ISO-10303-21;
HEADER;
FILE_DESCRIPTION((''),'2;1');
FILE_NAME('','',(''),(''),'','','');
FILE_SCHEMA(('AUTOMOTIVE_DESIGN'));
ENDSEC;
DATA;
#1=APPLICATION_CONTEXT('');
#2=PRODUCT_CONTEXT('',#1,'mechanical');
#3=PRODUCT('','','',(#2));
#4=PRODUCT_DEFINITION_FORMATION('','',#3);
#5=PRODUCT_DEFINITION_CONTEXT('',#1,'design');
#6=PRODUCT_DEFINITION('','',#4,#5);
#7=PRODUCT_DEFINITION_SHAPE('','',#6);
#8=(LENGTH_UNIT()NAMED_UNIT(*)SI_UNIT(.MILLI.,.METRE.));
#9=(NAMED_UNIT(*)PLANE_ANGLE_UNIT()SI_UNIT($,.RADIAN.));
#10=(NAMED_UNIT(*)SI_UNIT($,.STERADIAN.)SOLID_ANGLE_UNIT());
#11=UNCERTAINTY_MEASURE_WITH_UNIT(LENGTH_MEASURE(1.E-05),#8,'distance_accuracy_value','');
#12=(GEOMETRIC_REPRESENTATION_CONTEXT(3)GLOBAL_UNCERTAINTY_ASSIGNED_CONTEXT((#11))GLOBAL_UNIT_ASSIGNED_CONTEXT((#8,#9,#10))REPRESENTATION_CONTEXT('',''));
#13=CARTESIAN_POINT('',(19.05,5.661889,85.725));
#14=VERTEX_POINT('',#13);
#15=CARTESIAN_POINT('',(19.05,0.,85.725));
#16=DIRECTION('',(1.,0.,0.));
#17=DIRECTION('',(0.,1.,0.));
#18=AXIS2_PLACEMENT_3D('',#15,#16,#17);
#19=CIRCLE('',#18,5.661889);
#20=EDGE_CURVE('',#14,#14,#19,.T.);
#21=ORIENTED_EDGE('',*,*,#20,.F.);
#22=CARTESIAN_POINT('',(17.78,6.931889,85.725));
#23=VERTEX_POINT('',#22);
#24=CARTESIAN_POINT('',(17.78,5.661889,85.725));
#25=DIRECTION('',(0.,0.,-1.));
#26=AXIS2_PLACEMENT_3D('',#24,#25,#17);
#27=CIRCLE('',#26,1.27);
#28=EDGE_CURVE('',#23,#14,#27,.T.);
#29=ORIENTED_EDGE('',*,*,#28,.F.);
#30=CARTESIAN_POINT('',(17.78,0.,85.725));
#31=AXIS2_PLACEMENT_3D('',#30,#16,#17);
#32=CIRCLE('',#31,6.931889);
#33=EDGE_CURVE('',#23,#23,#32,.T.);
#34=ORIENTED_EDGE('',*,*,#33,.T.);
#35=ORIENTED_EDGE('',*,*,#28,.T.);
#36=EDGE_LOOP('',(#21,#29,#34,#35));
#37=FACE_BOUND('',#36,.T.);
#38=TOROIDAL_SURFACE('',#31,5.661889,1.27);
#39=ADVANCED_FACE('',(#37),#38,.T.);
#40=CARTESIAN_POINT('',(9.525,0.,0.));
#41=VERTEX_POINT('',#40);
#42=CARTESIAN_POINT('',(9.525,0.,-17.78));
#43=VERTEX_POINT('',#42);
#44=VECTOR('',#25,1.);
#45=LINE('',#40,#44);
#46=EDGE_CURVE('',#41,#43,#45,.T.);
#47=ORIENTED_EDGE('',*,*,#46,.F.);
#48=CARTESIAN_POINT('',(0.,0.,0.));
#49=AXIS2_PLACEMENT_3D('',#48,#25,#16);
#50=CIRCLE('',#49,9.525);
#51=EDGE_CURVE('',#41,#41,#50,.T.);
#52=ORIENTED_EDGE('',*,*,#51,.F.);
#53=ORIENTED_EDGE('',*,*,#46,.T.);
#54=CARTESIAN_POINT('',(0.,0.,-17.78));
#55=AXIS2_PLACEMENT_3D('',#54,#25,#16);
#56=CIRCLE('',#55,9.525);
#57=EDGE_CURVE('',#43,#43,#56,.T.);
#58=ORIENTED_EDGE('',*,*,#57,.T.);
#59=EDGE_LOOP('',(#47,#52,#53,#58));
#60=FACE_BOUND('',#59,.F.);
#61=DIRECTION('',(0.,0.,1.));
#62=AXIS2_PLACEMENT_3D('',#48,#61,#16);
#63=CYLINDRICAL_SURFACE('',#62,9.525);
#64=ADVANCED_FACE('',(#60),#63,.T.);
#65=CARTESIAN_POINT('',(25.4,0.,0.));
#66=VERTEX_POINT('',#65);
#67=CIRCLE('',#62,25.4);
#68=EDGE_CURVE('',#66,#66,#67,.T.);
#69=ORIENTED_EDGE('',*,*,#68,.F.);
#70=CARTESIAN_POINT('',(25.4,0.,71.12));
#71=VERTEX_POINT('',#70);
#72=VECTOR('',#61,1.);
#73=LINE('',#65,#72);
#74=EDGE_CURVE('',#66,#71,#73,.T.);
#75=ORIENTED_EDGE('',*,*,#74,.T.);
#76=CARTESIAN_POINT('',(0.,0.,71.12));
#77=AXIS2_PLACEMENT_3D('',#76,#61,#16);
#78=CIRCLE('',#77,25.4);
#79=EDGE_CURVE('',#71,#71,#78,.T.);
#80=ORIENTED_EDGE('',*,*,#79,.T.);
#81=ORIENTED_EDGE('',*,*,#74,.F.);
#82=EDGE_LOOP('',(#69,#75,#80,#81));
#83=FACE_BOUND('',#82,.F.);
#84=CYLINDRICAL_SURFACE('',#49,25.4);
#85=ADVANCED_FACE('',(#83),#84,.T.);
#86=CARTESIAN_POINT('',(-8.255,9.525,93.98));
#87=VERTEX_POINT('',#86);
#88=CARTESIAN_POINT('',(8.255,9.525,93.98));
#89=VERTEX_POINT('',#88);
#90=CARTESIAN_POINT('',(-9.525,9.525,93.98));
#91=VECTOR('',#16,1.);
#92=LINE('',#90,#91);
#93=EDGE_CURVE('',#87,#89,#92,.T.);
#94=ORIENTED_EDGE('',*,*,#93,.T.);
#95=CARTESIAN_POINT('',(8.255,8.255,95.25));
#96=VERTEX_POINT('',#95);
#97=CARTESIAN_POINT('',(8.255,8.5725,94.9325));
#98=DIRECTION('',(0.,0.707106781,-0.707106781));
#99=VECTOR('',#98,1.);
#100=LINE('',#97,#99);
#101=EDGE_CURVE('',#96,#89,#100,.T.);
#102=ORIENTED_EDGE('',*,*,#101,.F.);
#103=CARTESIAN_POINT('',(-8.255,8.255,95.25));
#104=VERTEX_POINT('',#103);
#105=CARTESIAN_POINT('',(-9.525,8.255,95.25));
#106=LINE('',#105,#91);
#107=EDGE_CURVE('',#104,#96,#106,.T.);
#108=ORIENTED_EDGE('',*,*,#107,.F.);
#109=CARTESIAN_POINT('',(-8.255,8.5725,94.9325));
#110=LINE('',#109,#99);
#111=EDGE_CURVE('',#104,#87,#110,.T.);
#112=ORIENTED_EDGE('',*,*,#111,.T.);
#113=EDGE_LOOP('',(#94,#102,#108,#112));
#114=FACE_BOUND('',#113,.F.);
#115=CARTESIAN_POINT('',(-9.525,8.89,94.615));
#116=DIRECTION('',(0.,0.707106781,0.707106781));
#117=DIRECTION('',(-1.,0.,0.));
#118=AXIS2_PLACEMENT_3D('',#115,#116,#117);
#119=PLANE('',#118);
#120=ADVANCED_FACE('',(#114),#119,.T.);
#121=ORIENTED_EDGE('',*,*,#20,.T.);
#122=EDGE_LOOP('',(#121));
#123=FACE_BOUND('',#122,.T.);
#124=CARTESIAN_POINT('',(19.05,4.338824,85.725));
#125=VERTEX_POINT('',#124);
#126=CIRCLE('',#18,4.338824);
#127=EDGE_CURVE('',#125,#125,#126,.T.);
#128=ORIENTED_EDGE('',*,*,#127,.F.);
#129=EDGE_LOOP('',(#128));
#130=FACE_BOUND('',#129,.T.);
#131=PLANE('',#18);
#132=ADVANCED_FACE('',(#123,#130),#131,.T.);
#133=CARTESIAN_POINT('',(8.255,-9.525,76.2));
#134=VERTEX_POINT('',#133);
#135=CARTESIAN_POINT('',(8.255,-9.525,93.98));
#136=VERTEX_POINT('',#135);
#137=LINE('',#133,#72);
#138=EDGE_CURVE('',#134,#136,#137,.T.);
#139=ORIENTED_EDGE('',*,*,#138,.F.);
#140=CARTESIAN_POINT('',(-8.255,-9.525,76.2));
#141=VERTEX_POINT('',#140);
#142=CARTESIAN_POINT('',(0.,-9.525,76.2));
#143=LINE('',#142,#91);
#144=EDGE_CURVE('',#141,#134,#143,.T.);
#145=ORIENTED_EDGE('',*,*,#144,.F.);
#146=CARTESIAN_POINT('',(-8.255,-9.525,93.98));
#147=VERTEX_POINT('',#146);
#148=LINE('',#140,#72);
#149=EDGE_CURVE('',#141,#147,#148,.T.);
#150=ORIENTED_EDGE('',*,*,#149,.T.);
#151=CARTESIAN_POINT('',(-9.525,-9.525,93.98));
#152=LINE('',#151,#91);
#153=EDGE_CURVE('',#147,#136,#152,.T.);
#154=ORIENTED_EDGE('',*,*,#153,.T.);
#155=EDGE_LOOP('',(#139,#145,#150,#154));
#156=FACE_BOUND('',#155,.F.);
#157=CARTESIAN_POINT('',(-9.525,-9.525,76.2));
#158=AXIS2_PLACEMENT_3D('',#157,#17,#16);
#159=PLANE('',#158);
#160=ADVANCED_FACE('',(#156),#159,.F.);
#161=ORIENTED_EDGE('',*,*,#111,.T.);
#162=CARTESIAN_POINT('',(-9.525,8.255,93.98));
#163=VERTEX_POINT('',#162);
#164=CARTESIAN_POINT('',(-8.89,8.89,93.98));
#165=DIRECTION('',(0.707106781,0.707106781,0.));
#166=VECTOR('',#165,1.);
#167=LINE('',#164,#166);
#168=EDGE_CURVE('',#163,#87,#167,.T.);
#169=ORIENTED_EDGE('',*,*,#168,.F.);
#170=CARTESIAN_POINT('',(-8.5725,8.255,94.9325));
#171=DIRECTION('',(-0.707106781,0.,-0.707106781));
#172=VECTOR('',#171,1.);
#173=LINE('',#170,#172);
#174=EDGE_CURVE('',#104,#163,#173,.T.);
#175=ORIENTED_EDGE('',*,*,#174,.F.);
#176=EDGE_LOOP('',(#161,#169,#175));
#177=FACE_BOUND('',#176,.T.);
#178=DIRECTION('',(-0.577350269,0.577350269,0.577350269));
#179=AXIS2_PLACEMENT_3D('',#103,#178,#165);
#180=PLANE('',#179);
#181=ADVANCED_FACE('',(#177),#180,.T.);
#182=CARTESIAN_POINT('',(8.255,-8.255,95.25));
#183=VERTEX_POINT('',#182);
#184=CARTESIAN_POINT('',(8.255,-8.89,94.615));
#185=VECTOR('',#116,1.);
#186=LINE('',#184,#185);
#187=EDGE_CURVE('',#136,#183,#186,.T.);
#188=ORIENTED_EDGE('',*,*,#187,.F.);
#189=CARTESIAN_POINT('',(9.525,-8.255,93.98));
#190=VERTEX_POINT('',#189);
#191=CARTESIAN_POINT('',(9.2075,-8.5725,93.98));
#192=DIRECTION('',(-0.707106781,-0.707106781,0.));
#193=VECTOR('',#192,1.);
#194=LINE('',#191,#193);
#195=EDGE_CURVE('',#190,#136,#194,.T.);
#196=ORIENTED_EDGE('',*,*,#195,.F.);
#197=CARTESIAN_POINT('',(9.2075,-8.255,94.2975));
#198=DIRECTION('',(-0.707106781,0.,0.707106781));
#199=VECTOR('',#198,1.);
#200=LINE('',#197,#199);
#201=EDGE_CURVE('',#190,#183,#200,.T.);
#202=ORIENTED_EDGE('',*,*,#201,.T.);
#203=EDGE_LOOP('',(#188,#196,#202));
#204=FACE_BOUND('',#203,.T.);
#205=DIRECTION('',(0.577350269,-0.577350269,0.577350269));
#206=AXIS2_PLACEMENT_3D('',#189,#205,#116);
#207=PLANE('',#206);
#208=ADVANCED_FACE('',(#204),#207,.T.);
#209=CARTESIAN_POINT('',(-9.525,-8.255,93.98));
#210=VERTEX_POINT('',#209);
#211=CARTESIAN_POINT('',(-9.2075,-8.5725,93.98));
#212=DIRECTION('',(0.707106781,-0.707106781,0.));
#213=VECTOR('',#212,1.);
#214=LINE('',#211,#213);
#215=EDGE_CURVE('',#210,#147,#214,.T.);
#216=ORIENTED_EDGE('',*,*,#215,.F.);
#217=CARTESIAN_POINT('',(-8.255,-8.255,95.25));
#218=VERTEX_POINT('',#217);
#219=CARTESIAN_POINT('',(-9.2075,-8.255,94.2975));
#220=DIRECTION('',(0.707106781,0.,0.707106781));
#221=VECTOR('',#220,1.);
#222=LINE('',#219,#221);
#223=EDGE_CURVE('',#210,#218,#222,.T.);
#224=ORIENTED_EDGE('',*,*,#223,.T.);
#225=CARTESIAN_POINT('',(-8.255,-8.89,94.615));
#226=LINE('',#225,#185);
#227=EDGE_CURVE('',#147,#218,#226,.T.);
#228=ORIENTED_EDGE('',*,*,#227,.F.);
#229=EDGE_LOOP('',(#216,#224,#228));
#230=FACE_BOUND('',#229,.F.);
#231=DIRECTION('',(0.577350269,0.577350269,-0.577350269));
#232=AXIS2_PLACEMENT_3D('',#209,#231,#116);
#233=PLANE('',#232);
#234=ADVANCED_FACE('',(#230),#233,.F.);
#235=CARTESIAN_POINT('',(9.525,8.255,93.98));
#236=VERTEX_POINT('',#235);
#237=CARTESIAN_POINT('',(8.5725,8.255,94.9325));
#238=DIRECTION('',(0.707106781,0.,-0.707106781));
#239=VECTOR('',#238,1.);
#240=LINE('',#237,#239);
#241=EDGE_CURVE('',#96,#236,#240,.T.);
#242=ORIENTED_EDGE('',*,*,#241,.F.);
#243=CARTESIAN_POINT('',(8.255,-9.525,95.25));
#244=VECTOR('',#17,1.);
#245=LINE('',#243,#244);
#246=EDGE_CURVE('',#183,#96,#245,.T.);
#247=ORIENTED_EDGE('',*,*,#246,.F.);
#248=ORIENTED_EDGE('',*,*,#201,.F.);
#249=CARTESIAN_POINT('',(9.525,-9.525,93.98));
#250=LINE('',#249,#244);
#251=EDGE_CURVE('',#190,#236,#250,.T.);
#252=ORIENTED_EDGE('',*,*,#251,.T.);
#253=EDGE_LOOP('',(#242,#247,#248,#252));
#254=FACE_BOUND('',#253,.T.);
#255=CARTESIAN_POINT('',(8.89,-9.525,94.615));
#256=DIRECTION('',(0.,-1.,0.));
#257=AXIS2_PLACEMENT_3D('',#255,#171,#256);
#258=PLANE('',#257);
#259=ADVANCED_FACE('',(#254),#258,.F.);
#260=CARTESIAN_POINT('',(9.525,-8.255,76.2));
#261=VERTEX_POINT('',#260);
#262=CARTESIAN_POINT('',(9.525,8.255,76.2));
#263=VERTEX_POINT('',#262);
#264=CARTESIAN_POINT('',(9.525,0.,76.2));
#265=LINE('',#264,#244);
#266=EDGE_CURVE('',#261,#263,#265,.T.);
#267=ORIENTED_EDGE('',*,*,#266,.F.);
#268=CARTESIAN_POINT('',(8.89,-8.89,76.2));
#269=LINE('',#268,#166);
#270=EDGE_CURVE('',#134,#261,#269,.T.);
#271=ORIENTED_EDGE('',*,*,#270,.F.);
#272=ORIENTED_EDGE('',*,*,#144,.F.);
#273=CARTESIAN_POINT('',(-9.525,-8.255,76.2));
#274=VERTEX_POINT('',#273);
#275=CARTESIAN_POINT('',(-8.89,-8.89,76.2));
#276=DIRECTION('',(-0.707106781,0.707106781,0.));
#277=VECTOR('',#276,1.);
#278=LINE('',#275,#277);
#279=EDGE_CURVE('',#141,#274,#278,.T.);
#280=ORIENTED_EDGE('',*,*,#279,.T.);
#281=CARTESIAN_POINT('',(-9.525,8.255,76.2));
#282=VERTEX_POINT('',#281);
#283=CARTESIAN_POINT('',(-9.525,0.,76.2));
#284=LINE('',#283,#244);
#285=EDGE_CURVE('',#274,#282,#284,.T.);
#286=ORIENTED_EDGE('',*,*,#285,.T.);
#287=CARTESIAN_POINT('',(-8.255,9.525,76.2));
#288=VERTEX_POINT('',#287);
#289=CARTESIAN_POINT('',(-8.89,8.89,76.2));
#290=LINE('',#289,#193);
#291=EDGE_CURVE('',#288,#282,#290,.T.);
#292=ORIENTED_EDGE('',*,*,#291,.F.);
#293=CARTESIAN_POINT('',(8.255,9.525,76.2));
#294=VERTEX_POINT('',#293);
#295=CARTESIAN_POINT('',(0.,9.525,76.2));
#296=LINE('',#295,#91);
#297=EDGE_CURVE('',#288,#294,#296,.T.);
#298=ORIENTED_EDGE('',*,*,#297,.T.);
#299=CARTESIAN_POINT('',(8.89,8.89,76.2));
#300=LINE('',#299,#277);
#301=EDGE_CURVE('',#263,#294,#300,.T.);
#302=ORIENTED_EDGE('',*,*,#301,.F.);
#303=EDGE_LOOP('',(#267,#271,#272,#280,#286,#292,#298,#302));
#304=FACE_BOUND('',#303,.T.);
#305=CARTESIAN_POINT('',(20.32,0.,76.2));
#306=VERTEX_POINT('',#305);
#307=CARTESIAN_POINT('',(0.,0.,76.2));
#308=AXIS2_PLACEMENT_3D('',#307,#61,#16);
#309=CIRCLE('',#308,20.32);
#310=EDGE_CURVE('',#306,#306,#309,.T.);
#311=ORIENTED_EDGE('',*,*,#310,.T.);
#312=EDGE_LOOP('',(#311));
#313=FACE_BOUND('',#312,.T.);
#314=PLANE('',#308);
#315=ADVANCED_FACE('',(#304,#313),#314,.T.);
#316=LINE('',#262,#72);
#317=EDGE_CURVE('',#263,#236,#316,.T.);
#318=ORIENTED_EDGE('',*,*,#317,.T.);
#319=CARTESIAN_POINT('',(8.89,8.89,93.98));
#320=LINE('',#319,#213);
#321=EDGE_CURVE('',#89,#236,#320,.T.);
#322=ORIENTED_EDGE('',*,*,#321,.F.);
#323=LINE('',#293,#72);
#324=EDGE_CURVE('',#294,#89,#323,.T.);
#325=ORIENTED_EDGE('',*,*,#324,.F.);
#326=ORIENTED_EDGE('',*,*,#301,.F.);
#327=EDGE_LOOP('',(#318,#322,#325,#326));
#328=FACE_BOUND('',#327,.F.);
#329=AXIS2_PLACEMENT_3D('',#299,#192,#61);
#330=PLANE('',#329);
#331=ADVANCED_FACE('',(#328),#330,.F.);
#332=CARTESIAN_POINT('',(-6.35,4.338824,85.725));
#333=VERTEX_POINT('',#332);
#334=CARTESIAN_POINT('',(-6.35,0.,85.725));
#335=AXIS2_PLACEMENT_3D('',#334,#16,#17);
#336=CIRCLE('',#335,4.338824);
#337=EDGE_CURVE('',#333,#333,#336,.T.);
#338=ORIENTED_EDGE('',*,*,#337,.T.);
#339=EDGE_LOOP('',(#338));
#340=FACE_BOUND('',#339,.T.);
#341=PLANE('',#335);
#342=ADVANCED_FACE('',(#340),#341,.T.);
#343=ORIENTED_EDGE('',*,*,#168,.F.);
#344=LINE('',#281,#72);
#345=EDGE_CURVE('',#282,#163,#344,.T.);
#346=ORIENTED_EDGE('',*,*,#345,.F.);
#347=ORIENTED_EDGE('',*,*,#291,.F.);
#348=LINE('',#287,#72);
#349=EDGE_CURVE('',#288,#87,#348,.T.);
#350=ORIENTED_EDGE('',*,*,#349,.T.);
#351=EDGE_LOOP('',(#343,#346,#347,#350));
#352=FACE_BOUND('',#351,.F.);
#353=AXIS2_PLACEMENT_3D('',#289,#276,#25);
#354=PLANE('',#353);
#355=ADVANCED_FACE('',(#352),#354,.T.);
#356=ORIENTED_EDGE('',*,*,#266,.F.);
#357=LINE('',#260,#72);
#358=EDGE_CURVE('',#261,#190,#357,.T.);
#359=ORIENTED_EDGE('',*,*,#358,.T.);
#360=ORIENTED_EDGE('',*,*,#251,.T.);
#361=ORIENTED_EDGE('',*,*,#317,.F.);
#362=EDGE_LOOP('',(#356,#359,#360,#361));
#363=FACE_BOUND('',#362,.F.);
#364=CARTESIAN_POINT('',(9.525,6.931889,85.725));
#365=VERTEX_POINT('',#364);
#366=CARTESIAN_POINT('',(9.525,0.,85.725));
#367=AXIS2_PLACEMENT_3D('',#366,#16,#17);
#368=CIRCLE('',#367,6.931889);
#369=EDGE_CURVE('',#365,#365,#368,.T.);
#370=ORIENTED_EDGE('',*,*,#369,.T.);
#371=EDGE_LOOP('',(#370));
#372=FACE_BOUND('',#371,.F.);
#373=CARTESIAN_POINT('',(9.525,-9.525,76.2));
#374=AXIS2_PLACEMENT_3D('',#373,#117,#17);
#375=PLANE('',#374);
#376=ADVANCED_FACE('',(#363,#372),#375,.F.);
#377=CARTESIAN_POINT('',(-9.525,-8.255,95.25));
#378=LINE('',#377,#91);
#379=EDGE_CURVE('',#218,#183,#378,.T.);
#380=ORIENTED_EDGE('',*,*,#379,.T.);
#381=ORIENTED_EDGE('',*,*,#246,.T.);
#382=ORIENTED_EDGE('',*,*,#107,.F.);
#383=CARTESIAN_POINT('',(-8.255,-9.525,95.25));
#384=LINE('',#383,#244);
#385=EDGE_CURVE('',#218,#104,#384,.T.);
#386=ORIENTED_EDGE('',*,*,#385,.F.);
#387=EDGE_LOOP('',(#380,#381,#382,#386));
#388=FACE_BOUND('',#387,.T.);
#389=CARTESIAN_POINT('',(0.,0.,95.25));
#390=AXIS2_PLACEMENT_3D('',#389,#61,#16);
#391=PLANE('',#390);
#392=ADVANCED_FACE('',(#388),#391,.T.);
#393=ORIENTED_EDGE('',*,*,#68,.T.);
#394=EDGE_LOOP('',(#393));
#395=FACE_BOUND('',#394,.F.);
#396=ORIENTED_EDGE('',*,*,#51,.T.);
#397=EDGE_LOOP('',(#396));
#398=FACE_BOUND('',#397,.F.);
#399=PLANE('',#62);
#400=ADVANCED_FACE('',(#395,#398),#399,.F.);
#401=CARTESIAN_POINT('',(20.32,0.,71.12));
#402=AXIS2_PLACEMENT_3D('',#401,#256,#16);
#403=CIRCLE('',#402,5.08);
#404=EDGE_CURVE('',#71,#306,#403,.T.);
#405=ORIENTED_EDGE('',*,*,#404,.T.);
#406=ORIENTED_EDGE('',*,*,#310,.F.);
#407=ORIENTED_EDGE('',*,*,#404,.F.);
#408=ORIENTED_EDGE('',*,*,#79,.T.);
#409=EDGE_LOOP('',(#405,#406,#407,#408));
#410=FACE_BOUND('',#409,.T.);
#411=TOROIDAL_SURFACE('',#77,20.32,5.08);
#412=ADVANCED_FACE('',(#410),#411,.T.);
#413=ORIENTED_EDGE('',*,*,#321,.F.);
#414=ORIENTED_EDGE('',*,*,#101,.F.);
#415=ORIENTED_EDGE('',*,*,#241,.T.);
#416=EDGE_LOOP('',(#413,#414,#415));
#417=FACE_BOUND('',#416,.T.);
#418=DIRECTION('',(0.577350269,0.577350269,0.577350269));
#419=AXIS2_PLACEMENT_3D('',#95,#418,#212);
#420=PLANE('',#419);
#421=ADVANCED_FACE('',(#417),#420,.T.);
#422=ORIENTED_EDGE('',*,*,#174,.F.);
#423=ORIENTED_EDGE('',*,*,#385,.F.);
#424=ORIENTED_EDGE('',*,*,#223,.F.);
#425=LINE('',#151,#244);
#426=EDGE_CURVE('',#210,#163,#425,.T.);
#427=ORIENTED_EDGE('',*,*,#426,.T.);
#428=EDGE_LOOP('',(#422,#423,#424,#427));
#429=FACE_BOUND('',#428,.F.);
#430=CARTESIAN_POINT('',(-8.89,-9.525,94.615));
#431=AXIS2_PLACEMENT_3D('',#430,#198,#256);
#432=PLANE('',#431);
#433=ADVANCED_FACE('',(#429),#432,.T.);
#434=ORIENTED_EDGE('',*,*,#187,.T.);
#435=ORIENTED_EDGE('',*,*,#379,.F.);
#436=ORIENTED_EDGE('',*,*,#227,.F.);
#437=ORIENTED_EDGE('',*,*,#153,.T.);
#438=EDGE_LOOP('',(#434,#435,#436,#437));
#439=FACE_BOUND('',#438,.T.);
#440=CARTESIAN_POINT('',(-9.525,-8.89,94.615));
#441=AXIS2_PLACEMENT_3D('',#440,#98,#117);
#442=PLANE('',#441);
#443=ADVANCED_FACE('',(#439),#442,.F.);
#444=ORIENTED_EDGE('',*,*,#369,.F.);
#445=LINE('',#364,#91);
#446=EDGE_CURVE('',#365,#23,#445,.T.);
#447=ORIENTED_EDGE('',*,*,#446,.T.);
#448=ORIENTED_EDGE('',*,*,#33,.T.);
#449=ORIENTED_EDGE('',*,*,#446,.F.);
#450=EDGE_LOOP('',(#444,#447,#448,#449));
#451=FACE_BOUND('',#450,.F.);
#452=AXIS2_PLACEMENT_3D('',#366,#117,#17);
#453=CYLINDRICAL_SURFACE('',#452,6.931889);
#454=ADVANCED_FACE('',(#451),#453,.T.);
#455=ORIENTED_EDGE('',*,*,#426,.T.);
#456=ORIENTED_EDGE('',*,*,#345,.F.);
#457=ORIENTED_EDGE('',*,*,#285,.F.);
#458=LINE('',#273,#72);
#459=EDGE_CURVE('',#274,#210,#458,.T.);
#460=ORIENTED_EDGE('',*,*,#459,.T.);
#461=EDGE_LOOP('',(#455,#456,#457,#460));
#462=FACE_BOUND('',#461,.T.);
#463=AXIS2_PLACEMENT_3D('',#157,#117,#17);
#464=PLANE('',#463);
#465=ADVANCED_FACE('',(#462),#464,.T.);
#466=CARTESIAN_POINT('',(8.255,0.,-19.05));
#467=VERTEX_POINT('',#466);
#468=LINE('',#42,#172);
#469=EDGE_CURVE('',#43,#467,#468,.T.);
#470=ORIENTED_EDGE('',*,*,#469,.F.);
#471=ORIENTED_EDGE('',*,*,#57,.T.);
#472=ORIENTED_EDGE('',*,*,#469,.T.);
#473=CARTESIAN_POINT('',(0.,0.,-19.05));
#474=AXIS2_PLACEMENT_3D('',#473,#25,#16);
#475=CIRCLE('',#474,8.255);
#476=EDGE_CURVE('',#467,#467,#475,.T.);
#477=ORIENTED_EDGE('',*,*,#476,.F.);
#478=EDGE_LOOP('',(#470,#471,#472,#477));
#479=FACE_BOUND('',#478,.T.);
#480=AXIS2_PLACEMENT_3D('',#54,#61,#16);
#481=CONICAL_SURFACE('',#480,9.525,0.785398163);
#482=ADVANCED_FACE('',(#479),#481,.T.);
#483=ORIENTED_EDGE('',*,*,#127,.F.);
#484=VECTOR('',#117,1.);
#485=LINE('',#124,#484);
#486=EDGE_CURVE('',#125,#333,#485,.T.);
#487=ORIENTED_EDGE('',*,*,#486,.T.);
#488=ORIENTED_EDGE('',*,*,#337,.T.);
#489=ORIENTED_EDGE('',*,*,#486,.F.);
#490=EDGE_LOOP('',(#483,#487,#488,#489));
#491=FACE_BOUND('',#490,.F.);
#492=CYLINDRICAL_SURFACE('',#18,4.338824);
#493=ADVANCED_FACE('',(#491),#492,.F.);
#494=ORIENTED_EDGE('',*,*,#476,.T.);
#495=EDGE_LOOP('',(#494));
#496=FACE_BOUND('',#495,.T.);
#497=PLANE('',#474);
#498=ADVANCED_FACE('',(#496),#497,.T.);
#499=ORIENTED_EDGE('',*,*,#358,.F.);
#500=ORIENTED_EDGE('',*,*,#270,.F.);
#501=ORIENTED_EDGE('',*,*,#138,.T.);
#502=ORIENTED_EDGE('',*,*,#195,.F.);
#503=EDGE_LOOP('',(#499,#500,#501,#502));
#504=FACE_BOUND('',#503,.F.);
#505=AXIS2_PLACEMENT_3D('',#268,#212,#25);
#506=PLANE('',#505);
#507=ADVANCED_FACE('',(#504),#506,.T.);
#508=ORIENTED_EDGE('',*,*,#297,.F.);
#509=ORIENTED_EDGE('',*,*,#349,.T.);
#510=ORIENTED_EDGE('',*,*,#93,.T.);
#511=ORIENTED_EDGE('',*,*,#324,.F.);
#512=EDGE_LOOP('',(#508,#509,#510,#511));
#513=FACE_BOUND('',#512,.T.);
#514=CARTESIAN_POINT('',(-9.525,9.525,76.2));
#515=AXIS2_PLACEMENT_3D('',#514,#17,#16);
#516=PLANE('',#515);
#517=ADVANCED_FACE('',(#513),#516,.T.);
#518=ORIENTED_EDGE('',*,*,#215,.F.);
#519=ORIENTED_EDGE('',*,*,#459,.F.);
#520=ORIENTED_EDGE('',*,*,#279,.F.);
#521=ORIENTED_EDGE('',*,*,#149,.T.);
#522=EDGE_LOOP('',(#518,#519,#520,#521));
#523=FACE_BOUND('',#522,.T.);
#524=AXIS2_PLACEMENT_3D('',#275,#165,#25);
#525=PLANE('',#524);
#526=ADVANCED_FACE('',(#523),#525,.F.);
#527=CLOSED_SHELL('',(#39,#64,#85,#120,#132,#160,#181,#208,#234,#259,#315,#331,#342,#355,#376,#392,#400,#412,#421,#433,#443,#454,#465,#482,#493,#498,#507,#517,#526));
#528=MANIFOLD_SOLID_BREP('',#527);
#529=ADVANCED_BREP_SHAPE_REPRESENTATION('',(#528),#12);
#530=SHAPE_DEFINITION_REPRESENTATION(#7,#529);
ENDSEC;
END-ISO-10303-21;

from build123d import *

# Parameters (mm, degrees)
F0_R      = 25.4
F1_DEPTH  = 76.2
F2_R      = 9.525
F3_DEPTH  = 19.05
F4_R      = 5.08
F5_SIZE   = 1.27
F6_W      = 19.05
F6_H      = 19.05
F7_DEPTH  = 19.05
F8_R      = 6.931889
F9_DEPTH  = 9.525
F10_R     = 4.338824
F11_DEPTH = 25.4
F12_SIZE  = 1.27
F13_R     = 1.27


with BuildPart() as f1:
    # F0 (on Top) → F1 (new body)
    with BuildSketch(Plane.XY):
        Circle(F0_R)
    extrude(amount=F1_DEPTH)

    # F2 (on face) → F3 (join)
    with BuildSketch(Plane(origin=(0, 0, 0), x_dir=(1, 0, 0), z_dir=(0, 0, -1))):
        Circle(F2_R)
    extrude(amount=F3_DEPTH)

    # F4
    f4_edges = [f1.edges().sort_by_distance(p)[0] for p in [
        (-25.4, 0, 76.2),
    ]]
    fillet(f4_edges, radius=F4_R)

    # F5
    f5_edges = [f1.edges().sort_by_distance(p)[0] for p in [
        (-9.525, 0, -19.05),
    ]]
    chamfer(f5_edges, length=F5_SIZE)

    # F6 (on face) → F7 (join)
    with BuildSketch(Plane.XY.offset(76.2)):
        Rectangle(F6_W, F6_H)
    extrude(amount=F7_DEPTH)

    # F8 (on face) → F9 (join)
    with BuildSketch(Plane.YZ.offset(9.525)):
        with Locations((0, 85.725)):
            Circle(F8_R)
    extrude(amount=F9_DEPTH)

    # F10 (on face) → F11 (cut)
    with BuildSketch(Plane.YZ.offset(19.05)):
        with Locations((0, 85.725)):
            Circle(F10_R)
    extrude(amount=-F11_DEPTH, mode=Mode.SUBTRACT)

    # F12
    f12_edges = [f1.edges().sort_by_distance(p)[0] for p in [
        (0, -9.525, 95.25),
        (-9.525, -9.525, 85.725),
        (9.525, -9.525, 85.725),
        (-9.525, 9.525, 85.725),
        (-9.525, 0, 95.25),
        (9.525, 9.525, 85.725),
        (0, 9.525, 95.25),
        (9.525, 0, 95.25),
    ]]
    chamfer(f12_edges, length=F12_SIZE)

    # F13
    f13_edges = [f1.edges().sort_by_distance(p)[0] for p in [
        (19.05, -6.931889, 85.725),
    ]]
    fillet(f13_edges, radius=F13_R)


solid = f1.part
